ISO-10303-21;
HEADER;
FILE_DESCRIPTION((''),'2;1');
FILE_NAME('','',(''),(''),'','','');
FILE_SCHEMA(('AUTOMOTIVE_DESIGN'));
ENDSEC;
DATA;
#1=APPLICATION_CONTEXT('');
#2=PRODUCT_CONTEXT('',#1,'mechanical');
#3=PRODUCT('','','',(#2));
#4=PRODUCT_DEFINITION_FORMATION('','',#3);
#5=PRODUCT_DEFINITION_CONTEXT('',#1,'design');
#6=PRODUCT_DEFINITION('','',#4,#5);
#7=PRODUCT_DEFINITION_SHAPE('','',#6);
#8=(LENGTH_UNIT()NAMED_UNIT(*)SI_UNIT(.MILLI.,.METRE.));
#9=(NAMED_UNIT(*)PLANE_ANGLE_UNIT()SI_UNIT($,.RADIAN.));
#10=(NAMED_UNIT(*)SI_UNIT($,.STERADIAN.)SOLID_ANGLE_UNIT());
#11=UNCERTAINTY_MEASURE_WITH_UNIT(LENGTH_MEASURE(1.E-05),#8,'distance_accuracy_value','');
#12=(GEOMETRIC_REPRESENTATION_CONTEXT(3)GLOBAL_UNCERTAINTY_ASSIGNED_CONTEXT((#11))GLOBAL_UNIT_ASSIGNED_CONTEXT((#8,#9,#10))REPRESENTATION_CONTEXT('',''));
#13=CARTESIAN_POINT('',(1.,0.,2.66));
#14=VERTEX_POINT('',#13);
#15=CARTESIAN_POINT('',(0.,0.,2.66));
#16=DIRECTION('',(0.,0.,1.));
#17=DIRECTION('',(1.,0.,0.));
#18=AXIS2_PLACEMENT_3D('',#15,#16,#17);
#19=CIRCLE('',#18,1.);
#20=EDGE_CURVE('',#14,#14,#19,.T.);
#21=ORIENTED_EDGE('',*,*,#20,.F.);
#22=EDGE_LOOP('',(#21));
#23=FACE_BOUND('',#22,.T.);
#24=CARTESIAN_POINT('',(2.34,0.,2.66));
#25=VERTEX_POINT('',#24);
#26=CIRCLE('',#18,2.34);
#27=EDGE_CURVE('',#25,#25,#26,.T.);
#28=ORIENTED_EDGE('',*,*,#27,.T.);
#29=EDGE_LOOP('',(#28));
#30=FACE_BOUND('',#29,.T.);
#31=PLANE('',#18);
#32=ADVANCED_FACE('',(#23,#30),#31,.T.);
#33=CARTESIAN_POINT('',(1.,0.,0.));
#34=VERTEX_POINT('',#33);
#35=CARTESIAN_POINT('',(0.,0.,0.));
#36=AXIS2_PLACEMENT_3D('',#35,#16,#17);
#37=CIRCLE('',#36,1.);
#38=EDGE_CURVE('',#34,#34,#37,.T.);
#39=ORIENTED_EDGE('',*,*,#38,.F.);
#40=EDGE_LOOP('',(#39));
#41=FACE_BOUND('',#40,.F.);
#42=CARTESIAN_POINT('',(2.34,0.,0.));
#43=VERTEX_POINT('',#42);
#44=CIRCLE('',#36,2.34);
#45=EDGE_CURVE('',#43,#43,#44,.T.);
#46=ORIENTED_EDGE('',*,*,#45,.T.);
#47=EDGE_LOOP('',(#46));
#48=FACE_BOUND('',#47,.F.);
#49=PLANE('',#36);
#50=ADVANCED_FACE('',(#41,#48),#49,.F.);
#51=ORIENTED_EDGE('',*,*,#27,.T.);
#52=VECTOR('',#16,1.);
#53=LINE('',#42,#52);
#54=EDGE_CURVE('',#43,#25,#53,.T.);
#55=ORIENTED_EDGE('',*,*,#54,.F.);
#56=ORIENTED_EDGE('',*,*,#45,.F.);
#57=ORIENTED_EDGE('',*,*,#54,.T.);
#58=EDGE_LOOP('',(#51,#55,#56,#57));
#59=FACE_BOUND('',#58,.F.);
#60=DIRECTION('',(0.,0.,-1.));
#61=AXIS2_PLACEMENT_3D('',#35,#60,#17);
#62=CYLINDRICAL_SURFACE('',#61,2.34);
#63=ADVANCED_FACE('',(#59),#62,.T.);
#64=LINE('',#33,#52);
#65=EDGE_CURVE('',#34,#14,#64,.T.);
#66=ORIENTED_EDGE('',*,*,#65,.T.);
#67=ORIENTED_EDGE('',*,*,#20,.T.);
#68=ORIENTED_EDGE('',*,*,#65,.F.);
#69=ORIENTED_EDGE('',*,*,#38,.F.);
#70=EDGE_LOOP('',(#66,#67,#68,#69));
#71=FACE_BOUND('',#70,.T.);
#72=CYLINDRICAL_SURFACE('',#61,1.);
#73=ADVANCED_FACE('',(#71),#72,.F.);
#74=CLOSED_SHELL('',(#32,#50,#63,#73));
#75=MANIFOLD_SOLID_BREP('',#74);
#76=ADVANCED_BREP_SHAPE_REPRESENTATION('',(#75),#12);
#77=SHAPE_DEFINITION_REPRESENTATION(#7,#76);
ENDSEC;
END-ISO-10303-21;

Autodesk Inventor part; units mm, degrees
ref_plane "YZ Plane" through (0, 0, 0) normal (1, 0, 0) x (0, 1, 0)
ref_plane "XZ Plane" through (0, 0, 0) normal (0, 1, 0) x (-1, 0, 0)
ref_plane "XY Plane" through (0, 0, 0) normal (0, 0, 1) x (1, 0, 0)
sketch "草圖1" plane through (0, 0, 0) normal (0, 0, 1) x (1, 0, 0)
  circle A0 centre (0, 0) radius 1
  circle A1 centre (0, 0) radius 2.34
  dimension "d0" = 2
  dimension "d1" = 4.68
extrude "擠出1" add sketch "草圖1" along normal blind 2.66
properties part number "sleeve" material "聚丙烯"
